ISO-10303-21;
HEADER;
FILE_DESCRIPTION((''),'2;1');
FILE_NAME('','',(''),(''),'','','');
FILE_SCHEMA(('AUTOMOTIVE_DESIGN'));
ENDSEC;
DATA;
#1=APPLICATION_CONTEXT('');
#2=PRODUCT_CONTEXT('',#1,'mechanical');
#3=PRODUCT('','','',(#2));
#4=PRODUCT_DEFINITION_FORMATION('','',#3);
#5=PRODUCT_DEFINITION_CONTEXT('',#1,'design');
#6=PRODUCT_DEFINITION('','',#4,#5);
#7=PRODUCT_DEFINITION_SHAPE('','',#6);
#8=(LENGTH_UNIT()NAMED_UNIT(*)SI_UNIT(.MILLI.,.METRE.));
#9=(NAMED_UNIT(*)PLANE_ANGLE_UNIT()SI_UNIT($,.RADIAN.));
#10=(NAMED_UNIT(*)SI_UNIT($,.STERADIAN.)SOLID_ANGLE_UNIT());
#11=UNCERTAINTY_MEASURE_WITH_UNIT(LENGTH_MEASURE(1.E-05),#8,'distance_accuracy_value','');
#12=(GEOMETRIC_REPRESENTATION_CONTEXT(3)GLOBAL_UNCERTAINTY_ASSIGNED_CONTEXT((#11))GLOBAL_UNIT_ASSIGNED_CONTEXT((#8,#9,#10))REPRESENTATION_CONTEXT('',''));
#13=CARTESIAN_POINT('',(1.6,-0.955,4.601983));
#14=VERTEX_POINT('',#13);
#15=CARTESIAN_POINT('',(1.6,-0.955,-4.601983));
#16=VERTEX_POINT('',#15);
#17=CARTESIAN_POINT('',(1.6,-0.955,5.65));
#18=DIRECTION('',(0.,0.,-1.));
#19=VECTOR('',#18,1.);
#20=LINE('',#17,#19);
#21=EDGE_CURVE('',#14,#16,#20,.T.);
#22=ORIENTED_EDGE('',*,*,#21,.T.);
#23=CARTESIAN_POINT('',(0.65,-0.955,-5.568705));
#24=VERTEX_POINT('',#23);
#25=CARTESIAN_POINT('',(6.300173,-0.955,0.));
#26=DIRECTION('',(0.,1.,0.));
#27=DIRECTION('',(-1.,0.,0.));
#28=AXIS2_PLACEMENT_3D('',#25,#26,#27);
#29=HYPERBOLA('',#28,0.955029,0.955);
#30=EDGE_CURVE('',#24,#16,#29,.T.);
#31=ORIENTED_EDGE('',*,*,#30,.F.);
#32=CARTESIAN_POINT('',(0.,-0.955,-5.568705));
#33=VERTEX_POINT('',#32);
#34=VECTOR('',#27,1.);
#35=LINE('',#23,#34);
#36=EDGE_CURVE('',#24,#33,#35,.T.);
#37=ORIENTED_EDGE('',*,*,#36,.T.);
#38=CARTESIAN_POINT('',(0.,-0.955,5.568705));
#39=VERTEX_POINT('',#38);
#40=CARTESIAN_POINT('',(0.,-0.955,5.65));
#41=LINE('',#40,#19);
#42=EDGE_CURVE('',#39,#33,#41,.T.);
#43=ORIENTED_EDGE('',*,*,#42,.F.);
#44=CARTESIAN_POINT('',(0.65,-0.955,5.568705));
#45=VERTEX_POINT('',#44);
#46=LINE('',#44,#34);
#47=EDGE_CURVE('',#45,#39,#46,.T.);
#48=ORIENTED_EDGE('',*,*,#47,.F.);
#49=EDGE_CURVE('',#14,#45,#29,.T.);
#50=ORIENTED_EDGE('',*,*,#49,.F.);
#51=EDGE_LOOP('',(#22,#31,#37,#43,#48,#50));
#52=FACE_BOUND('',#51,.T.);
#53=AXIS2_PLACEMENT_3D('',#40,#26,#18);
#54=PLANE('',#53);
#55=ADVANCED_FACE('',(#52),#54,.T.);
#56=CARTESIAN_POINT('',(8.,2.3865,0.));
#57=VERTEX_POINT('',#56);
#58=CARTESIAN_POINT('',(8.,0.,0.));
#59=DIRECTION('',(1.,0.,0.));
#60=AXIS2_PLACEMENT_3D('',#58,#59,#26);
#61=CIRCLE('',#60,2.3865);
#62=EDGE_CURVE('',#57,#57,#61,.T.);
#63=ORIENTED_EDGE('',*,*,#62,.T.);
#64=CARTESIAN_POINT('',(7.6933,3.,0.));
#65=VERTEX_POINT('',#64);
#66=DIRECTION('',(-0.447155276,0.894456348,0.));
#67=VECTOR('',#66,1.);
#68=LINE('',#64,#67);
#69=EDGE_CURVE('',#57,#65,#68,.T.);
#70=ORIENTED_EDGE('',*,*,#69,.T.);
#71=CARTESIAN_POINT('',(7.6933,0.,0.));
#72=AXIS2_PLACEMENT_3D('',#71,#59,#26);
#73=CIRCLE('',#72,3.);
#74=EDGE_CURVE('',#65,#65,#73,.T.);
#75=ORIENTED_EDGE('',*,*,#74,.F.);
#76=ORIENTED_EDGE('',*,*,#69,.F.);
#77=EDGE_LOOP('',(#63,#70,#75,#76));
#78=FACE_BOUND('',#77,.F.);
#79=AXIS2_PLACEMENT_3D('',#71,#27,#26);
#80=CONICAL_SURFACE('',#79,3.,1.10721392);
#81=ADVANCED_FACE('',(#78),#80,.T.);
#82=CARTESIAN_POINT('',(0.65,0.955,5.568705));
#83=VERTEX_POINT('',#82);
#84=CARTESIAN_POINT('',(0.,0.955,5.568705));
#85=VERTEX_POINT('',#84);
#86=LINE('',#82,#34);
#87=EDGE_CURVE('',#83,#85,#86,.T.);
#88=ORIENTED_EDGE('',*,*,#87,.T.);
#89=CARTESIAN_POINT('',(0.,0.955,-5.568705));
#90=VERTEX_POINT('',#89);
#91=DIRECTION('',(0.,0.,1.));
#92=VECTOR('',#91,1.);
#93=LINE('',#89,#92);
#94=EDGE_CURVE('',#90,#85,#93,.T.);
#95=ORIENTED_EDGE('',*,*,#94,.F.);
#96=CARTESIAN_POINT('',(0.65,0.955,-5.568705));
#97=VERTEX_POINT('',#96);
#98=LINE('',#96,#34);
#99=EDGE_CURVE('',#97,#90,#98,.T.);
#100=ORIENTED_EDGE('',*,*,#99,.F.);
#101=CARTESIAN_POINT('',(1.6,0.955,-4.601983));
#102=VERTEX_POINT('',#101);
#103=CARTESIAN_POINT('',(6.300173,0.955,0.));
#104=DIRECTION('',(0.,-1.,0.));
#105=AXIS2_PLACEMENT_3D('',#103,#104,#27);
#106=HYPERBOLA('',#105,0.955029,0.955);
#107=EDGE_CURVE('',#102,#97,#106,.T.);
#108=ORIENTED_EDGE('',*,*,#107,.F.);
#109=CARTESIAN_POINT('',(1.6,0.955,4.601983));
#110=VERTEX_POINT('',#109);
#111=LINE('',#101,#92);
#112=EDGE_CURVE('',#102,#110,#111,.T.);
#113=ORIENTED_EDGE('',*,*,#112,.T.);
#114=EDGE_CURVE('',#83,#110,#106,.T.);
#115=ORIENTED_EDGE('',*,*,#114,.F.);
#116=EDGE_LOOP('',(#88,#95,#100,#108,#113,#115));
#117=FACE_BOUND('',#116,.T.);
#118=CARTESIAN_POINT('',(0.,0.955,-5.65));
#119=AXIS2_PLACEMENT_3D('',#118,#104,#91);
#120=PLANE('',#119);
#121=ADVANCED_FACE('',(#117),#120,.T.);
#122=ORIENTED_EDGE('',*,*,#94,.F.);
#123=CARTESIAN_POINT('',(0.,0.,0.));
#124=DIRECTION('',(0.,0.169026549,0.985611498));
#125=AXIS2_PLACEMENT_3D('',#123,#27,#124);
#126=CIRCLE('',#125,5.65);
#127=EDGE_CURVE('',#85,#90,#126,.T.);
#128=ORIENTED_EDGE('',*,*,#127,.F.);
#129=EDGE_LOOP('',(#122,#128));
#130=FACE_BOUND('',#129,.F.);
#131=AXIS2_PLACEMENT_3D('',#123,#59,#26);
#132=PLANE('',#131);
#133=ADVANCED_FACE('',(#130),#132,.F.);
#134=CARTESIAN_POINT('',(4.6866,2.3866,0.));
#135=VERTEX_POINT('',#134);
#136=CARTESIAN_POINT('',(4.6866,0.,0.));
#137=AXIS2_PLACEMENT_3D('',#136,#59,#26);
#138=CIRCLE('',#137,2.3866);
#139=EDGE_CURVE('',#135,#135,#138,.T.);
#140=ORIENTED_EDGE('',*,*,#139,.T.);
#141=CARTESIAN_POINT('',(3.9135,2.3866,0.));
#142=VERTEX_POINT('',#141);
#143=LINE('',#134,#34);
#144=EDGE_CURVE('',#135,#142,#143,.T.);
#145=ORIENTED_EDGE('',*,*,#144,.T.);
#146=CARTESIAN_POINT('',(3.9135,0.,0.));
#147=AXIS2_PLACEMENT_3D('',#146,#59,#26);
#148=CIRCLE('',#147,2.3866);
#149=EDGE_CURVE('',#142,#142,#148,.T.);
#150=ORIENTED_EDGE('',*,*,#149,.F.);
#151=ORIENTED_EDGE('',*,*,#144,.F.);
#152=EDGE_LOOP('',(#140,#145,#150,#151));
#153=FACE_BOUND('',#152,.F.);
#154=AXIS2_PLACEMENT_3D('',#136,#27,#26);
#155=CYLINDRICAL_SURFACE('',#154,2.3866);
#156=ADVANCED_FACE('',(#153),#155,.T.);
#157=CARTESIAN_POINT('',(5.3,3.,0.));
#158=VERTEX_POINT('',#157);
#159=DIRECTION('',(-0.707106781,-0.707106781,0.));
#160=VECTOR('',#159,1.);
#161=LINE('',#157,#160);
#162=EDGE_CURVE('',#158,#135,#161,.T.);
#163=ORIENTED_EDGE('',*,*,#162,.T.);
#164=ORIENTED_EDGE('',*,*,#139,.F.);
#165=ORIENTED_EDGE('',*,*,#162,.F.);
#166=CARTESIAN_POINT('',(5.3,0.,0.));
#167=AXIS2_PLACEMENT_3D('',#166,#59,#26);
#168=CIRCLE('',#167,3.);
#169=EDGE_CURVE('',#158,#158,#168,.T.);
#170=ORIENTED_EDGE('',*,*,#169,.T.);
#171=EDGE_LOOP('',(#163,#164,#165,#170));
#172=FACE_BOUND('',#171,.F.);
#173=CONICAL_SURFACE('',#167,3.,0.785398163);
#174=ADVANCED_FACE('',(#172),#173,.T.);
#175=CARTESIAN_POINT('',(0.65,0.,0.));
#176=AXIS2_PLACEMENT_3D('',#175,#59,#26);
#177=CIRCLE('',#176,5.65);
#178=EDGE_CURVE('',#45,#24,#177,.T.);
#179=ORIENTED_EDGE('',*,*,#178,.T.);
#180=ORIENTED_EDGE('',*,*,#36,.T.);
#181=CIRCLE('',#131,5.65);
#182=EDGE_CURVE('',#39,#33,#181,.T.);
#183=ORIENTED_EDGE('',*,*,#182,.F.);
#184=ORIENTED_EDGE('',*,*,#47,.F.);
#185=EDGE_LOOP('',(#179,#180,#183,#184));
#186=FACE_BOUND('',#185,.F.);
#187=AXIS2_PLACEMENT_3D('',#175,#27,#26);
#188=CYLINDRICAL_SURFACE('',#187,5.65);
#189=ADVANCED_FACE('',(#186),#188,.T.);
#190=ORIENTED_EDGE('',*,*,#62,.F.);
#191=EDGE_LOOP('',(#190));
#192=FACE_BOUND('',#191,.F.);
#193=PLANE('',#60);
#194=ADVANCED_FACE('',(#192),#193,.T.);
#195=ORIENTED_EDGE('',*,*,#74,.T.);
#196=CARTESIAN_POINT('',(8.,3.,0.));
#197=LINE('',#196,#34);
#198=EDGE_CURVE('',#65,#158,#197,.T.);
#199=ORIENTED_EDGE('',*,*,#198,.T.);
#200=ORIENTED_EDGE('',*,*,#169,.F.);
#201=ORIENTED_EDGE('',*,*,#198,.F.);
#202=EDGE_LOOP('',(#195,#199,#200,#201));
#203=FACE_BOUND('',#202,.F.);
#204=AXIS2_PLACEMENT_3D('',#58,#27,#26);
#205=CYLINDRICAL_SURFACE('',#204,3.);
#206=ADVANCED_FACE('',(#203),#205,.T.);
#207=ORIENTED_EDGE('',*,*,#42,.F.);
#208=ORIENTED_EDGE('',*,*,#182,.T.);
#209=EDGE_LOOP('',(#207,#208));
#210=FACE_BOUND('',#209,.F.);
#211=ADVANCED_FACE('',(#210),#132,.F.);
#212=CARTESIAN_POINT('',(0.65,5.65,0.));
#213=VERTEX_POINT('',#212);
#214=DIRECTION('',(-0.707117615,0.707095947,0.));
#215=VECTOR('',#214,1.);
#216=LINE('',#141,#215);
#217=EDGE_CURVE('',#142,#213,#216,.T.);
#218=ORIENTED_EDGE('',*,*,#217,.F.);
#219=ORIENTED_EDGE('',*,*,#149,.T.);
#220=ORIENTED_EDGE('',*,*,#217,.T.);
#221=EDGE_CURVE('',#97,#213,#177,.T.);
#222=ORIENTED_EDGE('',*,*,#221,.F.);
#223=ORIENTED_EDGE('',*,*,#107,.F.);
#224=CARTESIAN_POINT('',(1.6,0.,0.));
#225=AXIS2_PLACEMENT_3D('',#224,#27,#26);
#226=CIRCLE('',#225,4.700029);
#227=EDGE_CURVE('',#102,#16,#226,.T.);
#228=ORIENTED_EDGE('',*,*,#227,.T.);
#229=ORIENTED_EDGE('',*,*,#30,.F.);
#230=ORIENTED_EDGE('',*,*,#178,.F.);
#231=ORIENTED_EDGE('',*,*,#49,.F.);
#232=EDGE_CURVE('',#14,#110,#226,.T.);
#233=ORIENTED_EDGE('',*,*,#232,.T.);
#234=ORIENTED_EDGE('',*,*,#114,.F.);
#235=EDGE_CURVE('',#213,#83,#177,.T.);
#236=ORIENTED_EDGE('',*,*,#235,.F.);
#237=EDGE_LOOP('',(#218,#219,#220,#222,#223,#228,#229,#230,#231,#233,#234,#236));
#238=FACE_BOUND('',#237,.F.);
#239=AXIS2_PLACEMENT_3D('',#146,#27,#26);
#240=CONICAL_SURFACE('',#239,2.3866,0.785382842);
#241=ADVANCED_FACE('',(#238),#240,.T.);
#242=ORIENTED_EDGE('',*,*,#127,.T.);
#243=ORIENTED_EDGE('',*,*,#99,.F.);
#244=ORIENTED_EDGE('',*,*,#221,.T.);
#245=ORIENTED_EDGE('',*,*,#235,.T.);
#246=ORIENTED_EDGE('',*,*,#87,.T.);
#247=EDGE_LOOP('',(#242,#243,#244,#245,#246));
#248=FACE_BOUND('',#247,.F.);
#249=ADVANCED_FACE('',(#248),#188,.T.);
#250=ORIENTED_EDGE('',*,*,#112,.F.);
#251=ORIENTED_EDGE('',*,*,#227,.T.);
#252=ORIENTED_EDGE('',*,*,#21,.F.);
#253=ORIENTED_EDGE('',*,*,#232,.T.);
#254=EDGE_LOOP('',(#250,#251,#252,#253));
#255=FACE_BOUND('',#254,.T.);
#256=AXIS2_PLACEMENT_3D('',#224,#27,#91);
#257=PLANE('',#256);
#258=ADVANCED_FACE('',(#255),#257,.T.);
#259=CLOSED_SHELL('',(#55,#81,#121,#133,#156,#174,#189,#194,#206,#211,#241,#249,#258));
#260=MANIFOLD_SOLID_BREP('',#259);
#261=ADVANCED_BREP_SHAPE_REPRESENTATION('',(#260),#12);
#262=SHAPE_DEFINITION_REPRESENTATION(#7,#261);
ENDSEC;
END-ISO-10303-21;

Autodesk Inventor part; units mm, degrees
ref_plane "YZ Plane" through (0, 0, 0) normal (1, 0, 0) x (0, 1, 0)
ref_plane "XZ Plane" through (0, 0, 0) normal (0, 1, 0) x (-1, 0, 0)
sketch "Sketch1" plane through (0, 0, 0) normal (0, 0, 1) x (1, 0, 0)
  line L0 (0, 0) -> (8, 0)
  line L1 (8, 0) -> (8, 3)
  line L2 (8, 3) -> (5.3, 3)
  line L3 (5.3, 3) -> (4.6866, 2.3866)
  line L4 (4.6866, 2.3866) -> (3.9135, 2.3866)
  line L5 (3.9135, 2.3866) -> (0.65, 5.65)
  line L6 (0.65, 5.65) -> (0, 5.65)
  line L7 (0, 5.65) -> (0, 0)
  line L8 (5.3, 3) -> (3.3, 3) construction
  line L9 (-1.6, 0) -> (9.6, 0) projected
  line L10 (0, 6.78) -> (0, -1.13) projected
  dimension "d0" = 8
  dimension "d1" = 45
  dimension "d2" = 0.6135
  dimension "d3" = 2.7
  dimension "d4" = 3.3
  dimension "d5" = 4.7731
  dimension "d6" = 6
  dimension "d7" = 11.3
revolve "Body" add sketch "Sketch1" angle 360 about axis through (0, 0, 0) along (1, 0, 0)
sketch "Sketch2" plane through (0, 0, 0) normal (-1, 0, 0) x (0, 0, 1)
  line L0 (5.65, -0.955) -> (-5.65, -0.955)
  line L1 (-5.65, -0.955) -> (-5.65, 0.955)
  line L2 (-5.65, 0.955) -> (5.65, 0.955)
  line L3 (5.65, 0.955) -> (5.65, -0.955)
  line L4 (0, 0.955) -> (0, -0.955) construction
  line L5 (-5.65, 0) -> (5.65, 0) construction
  line L6 (0, 5.65) -> (0, 0) projected
  dimension "d15" = 1.91
  dimension "d16" = 11.3
extrude "Slot" cut sketch "Sketch2" against normal blind 1.6
thread "Thread" size "M6x1" class "6g" standard "ISO Metric profile" length 2.7
chamfer "Chamfer1" distance 0.6135 distance2 0.3067 1 edges at (8, -3, 0) measured on face at (8, 0.7485, -0.6631)
ref_plane "Work Plane1" through (33.575, 0, 0) normal (0, 0, -1) x (1, 0, 0)
equation "\"d15\" = SBR"
equation "\"d16\" = KOD"
equation "\"d8\" = STI"
equation "\"d10\" = GEL"
equation "\"d12\" = -0.5 * SPD + 0.5 * GD"
equation "\"d13\" = 0.5 * GAL"
equation "\"d0\" = NLG"
equation "\"d1\" = 0.5 * SEWI"
equation "\"d2\" = GAL"
equation "\"d3\" = GEL"
equation "\"d4\" = KOH"
equation "\"d5\" = BDM"
equation "\"d6\" = GD"
equation "\"d7\" = KOD"
equation "\"NLG\" = 8"
equation "\"GAL\" = 0.61345 * PTC"
equation "\"GEL\" = 2.7"
equation "\"KOH\" = 3.3"
equation "\"KOD\" = 11.3"
equation "\"SEWI\" = 90deg"
equation "\"BDM\" = NND - 1.2269 * PTC"
equation "\"GD\" = NND"
equation "\"SBR\" = 1.91"
equation "\"STI\" = 1.6"
equation "\"SPD\" = NND - 1.2269 * PTC"
equation "\"GUL\" = 0.61345 * PTC"
equation "\"PTC\" = 1"
equation "\"EPV\" = 6.3"
equation "\"THREADDIA\" = 6"
equation "\"TOA\" = 30deg"
equation "\"NND\" = 6"
equation "\"GD1\" = THREADDIA - 1.2269 * PTC"
properties part number "ISO 2009 - M6 x 8" material "Stainless Steel, 440C"
